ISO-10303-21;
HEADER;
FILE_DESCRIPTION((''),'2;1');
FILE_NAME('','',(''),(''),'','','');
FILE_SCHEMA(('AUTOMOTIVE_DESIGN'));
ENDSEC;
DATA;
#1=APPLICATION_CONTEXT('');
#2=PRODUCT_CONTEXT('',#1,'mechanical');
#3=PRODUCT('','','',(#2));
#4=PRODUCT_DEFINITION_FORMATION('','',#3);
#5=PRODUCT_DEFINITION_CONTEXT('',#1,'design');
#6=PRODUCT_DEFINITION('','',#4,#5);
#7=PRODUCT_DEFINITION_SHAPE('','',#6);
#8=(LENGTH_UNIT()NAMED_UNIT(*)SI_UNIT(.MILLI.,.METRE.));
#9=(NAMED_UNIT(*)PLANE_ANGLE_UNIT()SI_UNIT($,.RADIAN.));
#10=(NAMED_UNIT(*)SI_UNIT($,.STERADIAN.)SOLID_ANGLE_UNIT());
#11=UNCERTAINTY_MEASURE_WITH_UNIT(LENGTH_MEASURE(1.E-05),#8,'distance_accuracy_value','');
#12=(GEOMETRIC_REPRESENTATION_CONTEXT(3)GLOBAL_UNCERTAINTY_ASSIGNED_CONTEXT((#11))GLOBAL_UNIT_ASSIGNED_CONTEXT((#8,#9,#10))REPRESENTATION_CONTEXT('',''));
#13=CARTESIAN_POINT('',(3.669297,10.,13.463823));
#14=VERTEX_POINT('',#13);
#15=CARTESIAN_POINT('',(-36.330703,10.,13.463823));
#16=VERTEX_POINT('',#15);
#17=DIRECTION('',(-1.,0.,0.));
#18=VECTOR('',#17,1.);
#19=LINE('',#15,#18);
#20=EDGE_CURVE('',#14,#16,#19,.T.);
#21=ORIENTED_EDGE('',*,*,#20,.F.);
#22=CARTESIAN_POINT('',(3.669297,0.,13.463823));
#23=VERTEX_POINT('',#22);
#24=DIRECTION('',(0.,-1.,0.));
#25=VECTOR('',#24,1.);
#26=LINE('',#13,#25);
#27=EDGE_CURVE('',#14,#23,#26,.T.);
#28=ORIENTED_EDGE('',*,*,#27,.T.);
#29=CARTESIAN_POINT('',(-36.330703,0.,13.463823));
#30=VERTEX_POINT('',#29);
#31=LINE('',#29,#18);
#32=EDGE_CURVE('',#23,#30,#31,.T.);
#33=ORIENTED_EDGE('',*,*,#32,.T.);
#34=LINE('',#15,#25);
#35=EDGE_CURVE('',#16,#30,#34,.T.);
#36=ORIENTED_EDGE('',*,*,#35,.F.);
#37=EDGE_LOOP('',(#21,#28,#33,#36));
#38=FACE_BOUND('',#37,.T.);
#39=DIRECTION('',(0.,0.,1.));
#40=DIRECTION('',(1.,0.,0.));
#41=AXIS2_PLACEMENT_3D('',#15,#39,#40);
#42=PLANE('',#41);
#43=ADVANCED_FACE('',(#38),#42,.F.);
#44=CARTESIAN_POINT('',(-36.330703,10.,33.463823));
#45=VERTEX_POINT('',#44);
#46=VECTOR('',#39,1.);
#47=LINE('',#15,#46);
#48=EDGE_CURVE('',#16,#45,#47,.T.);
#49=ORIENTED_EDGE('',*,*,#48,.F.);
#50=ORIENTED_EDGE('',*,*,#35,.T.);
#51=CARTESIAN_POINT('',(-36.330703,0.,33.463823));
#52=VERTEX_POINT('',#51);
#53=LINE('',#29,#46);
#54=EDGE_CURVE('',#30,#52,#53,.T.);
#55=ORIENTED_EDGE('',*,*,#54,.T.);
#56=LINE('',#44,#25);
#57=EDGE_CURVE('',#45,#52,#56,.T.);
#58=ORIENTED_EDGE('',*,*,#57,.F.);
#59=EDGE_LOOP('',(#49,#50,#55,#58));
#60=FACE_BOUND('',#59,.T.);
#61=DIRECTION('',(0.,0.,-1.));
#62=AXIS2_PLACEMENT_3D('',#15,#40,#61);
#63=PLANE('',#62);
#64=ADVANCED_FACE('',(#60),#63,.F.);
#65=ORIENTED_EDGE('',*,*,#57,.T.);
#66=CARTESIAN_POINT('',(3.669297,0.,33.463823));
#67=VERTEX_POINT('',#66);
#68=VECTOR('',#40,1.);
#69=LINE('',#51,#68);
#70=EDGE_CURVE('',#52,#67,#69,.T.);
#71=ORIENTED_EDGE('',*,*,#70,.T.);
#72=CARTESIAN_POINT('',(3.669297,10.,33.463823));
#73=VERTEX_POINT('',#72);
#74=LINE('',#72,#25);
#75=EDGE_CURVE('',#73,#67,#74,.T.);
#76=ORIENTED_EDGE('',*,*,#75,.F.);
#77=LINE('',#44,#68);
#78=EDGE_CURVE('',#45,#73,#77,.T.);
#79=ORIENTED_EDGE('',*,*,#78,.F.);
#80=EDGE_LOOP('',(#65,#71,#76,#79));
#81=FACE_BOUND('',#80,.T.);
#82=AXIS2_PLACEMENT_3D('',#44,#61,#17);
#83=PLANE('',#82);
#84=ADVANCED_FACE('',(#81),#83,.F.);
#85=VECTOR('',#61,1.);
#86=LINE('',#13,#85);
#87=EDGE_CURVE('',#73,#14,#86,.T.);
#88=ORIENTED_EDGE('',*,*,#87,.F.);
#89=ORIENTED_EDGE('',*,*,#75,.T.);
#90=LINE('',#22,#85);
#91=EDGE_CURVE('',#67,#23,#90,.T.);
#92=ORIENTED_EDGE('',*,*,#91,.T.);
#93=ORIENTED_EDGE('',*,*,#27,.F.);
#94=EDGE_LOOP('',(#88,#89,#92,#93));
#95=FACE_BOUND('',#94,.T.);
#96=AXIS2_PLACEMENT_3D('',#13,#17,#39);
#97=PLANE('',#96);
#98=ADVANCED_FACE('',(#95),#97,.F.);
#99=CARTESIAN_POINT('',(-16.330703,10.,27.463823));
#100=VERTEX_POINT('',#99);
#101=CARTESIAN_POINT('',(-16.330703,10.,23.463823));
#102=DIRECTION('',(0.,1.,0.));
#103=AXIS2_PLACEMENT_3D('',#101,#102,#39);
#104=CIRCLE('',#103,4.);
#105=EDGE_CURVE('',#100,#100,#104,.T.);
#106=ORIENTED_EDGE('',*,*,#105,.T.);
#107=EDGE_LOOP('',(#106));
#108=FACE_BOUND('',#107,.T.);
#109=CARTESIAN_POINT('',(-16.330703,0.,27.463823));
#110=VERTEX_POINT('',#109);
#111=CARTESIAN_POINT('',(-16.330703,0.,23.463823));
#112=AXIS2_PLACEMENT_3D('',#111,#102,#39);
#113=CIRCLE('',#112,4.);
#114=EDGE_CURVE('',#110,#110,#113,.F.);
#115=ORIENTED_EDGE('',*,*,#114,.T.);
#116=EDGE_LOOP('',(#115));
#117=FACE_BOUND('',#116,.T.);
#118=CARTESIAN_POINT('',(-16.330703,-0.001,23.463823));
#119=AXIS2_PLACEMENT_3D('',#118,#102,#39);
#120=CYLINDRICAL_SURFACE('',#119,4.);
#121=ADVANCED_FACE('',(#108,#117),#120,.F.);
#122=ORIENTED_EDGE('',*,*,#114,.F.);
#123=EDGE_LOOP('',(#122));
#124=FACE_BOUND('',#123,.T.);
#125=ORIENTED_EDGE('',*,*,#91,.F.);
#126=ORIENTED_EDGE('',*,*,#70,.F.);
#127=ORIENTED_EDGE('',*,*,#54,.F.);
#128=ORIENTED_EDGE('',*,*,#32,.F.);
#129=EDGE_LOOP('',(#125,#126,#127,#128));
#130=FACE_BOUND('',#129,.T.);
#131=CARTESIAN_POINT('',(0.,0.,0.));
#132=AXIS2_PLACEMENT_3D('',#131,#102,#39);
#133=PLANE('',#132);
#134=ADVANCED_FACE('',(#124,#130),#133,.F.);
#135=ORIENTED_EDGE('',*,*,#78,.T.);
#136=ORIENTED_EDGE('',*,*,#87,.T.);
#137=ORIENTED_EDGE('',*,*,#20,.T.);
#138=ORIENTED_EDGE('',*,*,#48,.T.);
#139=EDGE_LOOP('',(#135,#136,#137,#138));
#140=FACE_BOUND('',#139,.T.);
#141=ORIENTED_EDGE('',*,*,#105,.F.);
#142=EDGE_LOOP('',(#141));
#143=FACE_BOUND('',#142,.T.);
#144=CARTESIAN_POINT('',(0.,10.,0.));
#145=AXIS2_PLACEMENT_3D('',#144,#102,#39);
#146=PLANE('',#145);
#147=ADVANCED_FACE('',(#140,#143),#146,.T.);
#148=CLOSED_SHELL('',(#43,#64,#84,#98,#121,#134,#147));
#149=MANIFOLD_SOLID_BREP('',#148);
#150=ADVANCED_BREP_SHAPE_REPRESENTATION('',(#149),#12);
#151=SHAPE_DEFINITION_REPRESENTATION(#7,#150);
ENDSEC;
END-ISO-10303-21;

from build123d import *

# Parameters (mm, degrees)
SKETCH2_W           = 40
SKETCH2_H           = 20
BOSS_EXTRUDE1_DEPTH = 10
CUT_EXTRUDE1_REACH  = 52.396
SKETCH3_R           = 4


with BuildPart() as part:
    # Sketch2 → Boss-Extrude1 (new body)
    with BuildSketch(Plane(origin=(0, 0, 0), x_dir=(1, 0, 0), z_dir=(0, 1, 0))):
        with Locations((-16.330703266, -23.463822806)):
            Rectangle(SKETCH2_W, SKETCH2_H)
    extrude(amount=BOSS_EXTRUDE1_DEPTH)

    # Sketch3 → Cut-Extrude1 (cut, up to next)
    with BuildSketch(Plane(origin=(0, 10, 0), x_dir=(1, 0, 0), z_dir=(0, 1, 0)), mode=Mode.PRIVATE) as cut_extrude1_sk1:
        with Locations(Location((-16.330703266, -23.463822806, 0), (0, 0, 270))):
            Circle(SKETCH3_R)
    cut_extrude1_tool1 = extrude(cut_extrude1_sk1.sketch, amount=-CUT_EXTRUDE1_REACH, mode=Mode.PRIVATE) & part.part
    add(cut_extrude1_tool1.solids().sort_by_distance((-16.330703, 10, 23.463823))[0], mode=Mode.SUBTRACT)


solid = part.part
